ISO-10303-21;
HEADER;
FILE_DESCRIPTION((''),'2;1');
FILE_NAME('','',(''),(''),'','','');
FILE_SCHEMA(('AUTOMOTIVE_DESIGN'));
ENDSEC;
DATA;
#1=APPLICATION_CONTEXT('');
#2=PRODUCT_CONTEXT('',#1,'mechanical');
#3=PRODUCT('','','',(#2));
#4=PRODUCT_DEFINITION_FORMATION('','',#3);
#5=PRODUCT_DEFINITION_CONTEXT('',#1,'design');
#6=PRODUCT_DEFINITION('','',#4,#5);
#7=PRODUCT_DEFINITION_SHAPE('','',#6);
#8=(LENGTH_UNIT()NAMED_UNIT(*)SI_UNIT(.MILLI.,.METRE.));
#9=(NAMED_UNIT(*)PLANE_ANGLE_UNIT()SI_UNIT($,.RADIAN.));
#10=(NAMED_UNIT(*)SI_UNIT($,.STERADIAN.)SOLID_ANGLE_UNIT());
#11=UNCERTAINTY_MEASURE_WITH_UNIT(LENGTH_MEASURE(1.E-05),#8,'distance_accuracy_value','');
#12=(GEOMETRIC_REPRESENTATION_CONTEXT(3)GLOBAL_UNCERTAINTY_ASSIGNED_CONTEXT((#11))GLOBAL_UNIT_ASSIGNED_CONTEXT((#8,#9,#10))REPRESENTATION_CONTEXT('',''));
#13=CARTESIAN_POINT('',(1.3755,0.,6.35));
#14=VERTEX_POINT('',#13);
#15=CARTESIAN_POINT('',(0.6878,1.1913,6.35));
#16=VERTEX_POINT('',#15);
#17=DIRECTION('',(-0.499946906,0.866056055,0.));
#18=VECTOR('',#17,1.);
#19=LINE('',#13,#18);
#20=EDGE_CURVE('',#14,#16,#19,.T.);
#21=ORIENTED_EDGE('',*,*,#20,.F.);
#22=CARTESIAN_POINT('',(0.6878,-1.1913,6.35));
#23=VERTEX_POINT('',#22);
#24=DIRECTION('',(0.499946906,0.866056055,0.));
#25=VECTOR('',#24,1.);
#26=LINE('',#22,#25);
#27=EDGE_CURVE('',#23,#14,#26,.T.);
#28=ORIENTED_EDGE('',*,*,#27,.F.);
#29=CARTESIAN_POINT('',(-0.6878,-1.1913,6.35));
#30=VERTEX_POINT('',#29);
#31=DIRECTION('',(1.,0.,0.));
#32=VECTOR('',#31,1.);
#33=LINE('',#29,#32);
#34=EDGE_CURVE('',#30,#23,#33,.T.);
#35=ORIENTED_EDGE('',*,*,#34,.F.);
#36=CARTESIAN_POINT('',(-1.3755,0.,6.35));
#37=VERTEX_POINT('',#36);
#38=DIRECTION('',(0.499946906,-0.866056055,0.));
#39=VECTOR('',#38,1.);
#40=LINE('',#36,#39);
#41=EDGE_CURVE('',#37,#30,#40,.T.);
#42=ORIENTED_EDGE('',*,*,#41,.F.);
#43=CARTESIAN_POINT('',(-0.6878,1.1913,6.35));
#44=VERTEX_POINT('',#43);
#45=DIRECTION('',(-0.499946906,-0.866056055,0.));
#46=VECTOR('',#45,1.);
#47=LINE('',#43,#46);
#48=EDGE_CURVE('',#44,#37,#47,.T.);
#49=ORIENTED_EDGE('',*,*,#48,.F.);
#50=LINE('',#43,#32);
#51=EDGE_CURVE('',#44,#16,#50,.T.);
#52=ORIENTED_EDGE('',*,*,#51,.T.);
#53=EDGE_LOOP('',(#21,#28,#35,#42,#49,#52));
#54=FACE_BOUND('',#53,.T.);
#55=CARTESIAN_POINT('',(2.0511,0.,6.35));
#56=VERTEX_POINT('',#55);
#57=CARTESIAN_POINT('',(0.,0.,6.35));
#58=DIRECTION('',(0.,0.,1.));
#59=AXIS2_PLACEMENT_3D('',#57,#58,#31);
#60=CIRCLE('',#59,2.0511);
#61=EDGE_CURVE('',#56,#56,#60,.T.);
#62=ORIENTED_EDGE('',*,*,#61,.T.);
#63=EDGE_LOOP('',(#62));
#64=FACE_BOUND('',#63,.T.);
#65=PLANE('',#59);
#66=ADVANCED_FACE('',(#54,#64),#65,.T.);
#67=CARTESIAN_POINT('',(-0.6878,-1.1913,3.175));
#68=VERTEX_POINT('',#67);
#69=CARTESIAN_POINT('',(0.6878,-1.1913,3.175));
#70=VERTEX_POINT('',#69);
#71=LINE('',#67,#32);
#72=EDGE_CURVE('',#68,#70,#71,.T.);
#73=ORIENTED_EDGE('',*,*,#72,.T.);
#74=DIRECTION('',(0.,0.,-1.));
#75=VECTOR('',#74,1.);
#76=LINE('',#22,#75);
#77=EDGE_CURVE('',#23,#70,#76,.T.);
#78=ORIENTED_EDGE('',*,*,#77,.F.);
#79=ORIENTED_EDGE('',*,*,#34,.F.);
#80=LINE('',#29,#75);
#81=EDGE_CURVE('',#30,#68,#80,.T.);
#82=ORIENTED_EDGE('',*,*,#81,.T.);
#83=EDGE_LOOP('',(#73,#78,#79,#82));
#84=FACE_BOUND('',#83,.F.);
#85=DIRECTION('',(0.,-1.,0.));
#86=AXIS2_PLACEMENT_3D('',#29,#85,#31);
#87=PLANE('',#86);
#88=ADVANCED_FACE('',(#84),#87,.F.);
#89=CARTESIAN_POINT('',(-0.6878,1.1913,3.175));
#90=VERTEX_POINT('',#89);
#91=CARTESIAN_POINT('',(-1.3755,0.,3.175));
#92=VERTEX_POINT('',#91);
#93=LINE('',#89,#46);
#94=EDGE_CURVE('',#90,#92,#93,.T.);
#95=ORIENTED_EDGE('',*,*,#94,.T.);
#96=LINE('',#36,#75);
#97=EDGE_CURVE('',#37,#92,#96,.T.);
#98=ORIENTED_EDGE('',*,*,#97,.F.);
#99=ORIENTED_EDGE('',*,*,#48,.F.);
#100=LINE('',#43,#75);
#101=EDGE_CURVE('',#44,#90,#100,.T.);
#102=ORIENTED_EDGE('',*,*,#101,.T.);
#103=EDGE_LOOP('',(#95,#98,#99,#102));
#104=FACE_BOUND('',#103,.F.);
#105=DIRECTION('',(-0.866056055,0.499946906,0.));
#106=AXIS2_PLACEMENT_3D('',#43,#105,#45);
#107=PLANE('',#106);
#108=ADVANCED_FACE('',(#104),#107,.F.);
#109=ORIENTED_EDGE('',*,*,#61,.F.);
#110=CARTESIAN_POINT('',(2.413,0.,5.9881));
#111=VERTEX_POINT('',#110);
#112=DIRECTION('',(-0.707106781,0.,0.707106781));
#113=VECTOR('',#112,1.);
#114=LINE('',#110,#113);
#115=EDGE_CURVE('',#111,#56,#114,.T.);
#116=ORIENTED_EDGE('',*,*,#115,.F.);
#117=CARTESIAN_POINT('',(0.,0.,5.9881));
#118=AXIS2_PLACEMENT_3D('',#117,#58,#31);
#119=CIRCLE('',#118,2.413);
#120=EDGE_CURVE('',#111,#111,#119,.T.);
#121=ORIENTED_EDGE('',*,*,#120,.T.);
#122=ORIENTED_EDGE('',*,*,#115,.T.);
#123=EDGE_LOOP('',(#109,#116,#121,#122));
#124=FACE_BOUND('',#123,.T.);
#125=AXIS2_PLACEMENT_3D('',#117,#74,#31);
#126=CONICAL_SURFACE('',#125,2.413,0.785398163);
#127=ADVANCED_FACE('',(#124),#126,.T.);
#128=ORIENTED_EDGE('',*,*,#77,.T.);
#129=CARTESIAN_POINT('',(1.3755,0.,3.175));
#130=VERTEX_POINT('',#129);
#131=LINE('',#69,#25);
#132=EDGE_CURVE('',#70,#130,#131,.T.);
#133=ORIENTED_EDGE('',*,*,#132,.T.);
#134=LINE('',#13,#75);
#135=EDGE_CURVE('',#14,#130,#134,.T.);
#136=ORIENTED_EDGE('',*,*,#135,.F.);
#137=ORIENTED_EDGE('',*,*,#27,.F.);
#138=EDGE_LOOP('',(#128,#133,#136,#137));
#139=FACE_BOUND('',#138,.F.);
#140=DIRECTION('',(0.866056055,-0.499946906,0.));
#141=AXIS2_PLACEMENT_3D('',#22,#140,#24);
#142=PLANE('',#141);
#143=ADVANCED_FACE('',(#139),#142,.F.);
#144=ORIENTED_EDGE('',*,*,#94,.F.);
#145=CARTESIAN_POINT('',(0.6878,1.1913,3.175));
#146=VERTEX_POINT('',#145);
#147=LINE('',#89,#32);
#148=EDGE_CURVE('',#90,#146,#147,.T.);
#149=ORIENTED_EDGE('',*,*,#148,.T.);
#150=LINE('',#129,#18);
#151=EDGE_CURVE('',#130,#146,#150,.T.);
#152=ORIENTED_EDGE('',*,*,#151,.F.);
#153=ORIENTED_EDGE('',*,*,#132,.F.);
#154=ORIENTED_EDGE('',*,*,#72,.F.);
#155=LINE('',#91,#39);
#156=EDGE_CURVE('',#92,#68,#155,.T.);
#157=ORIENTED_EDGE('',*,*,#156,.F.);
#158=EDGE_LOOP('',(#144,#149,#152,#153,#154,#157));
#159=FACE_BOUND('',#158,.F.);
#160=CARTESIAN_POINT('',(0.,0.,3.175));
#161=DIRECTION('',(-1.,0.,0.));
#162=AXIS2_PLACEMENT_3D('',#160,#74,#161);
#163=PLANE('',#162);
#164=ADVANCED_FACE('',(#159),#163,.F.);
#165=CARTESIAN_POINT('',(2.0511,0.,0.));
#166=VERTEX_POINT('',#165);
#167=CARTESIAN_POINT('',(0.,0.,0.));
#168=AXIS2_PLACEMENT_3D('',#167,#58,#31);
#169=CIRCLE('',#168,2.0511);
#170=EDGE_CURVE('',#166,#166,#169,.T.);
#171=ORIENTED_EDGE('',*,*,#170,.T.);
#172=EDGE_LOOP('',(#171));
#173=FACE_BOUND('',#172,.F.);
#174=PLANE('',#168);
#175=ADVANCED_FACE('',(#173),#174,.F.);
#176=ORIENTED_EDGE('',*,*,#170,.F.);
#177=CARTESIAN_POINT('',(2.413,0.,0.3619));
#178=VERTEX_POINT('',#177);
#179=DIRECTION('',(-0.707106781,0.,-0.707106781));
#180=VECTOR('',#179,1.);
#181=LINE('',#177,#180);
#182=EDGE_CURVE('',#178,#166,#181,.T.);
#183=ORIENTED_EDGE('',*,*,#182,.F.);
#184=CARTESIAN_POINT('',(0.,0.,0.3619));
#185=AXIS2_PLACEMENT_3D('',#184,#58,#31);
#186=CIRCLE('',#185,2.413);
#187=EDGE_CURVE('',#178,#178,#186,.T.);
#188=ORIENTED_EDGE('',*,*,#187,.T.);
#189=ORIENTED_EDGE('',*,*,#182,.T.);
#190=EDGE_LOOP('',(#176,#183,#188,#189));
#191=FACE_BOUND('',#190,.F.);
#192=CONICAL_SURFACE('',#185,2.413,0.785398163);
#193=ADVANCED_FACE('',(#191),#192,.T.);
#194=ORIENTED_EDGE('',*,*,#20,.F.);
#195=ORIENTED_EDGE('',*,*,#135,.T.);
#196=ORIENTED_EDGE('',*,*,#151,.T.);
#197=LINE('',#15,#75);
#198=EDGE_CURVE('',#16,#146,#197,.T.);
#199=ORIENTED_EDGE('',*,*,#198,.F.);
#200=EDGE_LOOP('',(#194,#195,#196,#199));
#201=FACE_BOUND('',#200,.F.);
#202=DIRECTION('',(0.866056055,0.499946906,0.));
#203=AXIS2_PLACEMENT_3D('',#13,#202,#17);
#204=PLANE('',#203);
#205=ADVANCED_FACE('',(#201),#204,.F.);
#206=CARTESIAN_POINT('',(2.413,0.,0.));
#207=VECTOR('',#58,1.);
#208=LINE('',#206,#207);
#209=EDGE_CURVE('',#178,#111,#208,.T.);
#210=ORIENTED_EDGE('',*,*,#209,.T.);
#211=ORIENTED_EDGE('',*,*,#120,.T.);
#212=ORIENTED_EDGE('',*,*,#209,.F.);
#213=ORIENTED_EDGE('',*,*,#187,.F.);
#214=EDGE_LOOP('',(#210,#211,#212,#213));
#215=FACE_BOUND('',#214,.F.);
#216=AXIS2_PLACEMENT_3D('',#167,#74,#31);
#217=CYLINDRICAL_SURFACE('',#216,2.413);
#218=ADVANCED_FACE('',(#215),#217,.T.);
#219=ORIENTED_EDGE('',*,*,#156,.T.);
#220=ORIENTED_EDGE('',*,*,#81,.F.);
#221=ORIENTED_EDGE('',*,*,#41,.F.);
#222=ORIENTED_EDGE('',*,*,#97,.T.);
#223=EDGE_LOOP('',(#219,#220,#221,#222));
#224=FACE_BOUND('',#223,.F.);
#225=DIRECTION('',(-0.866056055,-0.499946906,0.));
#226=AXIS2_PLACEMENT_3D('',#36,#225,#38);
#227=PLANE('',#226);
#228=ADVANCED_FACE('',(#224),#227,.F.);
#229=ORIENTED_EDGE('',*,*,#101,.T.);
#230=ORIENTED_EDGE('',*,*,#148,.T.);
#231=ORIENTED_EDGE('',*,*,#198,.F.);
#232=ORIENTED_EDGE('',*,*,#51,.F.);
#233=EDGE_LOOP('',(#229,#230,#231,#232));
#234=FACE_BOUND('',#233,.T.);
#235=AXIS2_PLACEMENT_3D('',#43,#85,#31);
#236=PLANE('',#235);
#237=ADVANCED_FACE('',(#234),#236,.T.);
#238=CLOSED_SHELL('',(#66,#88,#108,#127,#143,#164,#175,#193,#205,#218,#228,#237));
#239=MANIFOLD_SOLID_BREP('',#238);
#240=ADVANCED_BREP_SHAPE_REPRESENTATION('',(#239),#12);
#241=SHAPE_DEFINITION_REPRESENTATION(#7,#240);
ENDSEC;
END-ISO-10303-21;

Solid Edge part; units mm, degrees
sketch "Sketch1" plane through (0, 0, 0) normal (0, 0, 1) x (1, 0, 0)
  circle A0 centre (0, 0) radius 2.413
  dimension "D1" = 4.826
extrude "Protrusion1" add sketch "Sketch1" along normal blind 6.35
chamfer "Chamfer1" distance 0.3619 angle 45 2 edges at (-2.413, 0, 0) (-2.413, 0, 6.35)
sketch "Sketch2" plane through (0, 0, 6.35) normal (0, 0, 1) x (1, 0, 0)
  line L0 (-0.6878, 1.1913) -> (0.6878, 1.1913)
  line L1 (1.3755, 0) -> (0.6878, 1.1913)
  line L2 (0.6878, -1.1913) -> (1.3755, 0)
  line L3 (-0.6878, -1.1913) -> (0.6878, -1.1913)
  line L4 (-1.3755, 0) -> (-0.6878, -1.1913)
  line L5 (-0.6878, 1.1913) -> (-1.3755, 0)
  dimension "D1" = 2.3825
extrude "Cutout1" cut sketch "Sketch2" against normal blind 3.175
properties part number "24101679"
